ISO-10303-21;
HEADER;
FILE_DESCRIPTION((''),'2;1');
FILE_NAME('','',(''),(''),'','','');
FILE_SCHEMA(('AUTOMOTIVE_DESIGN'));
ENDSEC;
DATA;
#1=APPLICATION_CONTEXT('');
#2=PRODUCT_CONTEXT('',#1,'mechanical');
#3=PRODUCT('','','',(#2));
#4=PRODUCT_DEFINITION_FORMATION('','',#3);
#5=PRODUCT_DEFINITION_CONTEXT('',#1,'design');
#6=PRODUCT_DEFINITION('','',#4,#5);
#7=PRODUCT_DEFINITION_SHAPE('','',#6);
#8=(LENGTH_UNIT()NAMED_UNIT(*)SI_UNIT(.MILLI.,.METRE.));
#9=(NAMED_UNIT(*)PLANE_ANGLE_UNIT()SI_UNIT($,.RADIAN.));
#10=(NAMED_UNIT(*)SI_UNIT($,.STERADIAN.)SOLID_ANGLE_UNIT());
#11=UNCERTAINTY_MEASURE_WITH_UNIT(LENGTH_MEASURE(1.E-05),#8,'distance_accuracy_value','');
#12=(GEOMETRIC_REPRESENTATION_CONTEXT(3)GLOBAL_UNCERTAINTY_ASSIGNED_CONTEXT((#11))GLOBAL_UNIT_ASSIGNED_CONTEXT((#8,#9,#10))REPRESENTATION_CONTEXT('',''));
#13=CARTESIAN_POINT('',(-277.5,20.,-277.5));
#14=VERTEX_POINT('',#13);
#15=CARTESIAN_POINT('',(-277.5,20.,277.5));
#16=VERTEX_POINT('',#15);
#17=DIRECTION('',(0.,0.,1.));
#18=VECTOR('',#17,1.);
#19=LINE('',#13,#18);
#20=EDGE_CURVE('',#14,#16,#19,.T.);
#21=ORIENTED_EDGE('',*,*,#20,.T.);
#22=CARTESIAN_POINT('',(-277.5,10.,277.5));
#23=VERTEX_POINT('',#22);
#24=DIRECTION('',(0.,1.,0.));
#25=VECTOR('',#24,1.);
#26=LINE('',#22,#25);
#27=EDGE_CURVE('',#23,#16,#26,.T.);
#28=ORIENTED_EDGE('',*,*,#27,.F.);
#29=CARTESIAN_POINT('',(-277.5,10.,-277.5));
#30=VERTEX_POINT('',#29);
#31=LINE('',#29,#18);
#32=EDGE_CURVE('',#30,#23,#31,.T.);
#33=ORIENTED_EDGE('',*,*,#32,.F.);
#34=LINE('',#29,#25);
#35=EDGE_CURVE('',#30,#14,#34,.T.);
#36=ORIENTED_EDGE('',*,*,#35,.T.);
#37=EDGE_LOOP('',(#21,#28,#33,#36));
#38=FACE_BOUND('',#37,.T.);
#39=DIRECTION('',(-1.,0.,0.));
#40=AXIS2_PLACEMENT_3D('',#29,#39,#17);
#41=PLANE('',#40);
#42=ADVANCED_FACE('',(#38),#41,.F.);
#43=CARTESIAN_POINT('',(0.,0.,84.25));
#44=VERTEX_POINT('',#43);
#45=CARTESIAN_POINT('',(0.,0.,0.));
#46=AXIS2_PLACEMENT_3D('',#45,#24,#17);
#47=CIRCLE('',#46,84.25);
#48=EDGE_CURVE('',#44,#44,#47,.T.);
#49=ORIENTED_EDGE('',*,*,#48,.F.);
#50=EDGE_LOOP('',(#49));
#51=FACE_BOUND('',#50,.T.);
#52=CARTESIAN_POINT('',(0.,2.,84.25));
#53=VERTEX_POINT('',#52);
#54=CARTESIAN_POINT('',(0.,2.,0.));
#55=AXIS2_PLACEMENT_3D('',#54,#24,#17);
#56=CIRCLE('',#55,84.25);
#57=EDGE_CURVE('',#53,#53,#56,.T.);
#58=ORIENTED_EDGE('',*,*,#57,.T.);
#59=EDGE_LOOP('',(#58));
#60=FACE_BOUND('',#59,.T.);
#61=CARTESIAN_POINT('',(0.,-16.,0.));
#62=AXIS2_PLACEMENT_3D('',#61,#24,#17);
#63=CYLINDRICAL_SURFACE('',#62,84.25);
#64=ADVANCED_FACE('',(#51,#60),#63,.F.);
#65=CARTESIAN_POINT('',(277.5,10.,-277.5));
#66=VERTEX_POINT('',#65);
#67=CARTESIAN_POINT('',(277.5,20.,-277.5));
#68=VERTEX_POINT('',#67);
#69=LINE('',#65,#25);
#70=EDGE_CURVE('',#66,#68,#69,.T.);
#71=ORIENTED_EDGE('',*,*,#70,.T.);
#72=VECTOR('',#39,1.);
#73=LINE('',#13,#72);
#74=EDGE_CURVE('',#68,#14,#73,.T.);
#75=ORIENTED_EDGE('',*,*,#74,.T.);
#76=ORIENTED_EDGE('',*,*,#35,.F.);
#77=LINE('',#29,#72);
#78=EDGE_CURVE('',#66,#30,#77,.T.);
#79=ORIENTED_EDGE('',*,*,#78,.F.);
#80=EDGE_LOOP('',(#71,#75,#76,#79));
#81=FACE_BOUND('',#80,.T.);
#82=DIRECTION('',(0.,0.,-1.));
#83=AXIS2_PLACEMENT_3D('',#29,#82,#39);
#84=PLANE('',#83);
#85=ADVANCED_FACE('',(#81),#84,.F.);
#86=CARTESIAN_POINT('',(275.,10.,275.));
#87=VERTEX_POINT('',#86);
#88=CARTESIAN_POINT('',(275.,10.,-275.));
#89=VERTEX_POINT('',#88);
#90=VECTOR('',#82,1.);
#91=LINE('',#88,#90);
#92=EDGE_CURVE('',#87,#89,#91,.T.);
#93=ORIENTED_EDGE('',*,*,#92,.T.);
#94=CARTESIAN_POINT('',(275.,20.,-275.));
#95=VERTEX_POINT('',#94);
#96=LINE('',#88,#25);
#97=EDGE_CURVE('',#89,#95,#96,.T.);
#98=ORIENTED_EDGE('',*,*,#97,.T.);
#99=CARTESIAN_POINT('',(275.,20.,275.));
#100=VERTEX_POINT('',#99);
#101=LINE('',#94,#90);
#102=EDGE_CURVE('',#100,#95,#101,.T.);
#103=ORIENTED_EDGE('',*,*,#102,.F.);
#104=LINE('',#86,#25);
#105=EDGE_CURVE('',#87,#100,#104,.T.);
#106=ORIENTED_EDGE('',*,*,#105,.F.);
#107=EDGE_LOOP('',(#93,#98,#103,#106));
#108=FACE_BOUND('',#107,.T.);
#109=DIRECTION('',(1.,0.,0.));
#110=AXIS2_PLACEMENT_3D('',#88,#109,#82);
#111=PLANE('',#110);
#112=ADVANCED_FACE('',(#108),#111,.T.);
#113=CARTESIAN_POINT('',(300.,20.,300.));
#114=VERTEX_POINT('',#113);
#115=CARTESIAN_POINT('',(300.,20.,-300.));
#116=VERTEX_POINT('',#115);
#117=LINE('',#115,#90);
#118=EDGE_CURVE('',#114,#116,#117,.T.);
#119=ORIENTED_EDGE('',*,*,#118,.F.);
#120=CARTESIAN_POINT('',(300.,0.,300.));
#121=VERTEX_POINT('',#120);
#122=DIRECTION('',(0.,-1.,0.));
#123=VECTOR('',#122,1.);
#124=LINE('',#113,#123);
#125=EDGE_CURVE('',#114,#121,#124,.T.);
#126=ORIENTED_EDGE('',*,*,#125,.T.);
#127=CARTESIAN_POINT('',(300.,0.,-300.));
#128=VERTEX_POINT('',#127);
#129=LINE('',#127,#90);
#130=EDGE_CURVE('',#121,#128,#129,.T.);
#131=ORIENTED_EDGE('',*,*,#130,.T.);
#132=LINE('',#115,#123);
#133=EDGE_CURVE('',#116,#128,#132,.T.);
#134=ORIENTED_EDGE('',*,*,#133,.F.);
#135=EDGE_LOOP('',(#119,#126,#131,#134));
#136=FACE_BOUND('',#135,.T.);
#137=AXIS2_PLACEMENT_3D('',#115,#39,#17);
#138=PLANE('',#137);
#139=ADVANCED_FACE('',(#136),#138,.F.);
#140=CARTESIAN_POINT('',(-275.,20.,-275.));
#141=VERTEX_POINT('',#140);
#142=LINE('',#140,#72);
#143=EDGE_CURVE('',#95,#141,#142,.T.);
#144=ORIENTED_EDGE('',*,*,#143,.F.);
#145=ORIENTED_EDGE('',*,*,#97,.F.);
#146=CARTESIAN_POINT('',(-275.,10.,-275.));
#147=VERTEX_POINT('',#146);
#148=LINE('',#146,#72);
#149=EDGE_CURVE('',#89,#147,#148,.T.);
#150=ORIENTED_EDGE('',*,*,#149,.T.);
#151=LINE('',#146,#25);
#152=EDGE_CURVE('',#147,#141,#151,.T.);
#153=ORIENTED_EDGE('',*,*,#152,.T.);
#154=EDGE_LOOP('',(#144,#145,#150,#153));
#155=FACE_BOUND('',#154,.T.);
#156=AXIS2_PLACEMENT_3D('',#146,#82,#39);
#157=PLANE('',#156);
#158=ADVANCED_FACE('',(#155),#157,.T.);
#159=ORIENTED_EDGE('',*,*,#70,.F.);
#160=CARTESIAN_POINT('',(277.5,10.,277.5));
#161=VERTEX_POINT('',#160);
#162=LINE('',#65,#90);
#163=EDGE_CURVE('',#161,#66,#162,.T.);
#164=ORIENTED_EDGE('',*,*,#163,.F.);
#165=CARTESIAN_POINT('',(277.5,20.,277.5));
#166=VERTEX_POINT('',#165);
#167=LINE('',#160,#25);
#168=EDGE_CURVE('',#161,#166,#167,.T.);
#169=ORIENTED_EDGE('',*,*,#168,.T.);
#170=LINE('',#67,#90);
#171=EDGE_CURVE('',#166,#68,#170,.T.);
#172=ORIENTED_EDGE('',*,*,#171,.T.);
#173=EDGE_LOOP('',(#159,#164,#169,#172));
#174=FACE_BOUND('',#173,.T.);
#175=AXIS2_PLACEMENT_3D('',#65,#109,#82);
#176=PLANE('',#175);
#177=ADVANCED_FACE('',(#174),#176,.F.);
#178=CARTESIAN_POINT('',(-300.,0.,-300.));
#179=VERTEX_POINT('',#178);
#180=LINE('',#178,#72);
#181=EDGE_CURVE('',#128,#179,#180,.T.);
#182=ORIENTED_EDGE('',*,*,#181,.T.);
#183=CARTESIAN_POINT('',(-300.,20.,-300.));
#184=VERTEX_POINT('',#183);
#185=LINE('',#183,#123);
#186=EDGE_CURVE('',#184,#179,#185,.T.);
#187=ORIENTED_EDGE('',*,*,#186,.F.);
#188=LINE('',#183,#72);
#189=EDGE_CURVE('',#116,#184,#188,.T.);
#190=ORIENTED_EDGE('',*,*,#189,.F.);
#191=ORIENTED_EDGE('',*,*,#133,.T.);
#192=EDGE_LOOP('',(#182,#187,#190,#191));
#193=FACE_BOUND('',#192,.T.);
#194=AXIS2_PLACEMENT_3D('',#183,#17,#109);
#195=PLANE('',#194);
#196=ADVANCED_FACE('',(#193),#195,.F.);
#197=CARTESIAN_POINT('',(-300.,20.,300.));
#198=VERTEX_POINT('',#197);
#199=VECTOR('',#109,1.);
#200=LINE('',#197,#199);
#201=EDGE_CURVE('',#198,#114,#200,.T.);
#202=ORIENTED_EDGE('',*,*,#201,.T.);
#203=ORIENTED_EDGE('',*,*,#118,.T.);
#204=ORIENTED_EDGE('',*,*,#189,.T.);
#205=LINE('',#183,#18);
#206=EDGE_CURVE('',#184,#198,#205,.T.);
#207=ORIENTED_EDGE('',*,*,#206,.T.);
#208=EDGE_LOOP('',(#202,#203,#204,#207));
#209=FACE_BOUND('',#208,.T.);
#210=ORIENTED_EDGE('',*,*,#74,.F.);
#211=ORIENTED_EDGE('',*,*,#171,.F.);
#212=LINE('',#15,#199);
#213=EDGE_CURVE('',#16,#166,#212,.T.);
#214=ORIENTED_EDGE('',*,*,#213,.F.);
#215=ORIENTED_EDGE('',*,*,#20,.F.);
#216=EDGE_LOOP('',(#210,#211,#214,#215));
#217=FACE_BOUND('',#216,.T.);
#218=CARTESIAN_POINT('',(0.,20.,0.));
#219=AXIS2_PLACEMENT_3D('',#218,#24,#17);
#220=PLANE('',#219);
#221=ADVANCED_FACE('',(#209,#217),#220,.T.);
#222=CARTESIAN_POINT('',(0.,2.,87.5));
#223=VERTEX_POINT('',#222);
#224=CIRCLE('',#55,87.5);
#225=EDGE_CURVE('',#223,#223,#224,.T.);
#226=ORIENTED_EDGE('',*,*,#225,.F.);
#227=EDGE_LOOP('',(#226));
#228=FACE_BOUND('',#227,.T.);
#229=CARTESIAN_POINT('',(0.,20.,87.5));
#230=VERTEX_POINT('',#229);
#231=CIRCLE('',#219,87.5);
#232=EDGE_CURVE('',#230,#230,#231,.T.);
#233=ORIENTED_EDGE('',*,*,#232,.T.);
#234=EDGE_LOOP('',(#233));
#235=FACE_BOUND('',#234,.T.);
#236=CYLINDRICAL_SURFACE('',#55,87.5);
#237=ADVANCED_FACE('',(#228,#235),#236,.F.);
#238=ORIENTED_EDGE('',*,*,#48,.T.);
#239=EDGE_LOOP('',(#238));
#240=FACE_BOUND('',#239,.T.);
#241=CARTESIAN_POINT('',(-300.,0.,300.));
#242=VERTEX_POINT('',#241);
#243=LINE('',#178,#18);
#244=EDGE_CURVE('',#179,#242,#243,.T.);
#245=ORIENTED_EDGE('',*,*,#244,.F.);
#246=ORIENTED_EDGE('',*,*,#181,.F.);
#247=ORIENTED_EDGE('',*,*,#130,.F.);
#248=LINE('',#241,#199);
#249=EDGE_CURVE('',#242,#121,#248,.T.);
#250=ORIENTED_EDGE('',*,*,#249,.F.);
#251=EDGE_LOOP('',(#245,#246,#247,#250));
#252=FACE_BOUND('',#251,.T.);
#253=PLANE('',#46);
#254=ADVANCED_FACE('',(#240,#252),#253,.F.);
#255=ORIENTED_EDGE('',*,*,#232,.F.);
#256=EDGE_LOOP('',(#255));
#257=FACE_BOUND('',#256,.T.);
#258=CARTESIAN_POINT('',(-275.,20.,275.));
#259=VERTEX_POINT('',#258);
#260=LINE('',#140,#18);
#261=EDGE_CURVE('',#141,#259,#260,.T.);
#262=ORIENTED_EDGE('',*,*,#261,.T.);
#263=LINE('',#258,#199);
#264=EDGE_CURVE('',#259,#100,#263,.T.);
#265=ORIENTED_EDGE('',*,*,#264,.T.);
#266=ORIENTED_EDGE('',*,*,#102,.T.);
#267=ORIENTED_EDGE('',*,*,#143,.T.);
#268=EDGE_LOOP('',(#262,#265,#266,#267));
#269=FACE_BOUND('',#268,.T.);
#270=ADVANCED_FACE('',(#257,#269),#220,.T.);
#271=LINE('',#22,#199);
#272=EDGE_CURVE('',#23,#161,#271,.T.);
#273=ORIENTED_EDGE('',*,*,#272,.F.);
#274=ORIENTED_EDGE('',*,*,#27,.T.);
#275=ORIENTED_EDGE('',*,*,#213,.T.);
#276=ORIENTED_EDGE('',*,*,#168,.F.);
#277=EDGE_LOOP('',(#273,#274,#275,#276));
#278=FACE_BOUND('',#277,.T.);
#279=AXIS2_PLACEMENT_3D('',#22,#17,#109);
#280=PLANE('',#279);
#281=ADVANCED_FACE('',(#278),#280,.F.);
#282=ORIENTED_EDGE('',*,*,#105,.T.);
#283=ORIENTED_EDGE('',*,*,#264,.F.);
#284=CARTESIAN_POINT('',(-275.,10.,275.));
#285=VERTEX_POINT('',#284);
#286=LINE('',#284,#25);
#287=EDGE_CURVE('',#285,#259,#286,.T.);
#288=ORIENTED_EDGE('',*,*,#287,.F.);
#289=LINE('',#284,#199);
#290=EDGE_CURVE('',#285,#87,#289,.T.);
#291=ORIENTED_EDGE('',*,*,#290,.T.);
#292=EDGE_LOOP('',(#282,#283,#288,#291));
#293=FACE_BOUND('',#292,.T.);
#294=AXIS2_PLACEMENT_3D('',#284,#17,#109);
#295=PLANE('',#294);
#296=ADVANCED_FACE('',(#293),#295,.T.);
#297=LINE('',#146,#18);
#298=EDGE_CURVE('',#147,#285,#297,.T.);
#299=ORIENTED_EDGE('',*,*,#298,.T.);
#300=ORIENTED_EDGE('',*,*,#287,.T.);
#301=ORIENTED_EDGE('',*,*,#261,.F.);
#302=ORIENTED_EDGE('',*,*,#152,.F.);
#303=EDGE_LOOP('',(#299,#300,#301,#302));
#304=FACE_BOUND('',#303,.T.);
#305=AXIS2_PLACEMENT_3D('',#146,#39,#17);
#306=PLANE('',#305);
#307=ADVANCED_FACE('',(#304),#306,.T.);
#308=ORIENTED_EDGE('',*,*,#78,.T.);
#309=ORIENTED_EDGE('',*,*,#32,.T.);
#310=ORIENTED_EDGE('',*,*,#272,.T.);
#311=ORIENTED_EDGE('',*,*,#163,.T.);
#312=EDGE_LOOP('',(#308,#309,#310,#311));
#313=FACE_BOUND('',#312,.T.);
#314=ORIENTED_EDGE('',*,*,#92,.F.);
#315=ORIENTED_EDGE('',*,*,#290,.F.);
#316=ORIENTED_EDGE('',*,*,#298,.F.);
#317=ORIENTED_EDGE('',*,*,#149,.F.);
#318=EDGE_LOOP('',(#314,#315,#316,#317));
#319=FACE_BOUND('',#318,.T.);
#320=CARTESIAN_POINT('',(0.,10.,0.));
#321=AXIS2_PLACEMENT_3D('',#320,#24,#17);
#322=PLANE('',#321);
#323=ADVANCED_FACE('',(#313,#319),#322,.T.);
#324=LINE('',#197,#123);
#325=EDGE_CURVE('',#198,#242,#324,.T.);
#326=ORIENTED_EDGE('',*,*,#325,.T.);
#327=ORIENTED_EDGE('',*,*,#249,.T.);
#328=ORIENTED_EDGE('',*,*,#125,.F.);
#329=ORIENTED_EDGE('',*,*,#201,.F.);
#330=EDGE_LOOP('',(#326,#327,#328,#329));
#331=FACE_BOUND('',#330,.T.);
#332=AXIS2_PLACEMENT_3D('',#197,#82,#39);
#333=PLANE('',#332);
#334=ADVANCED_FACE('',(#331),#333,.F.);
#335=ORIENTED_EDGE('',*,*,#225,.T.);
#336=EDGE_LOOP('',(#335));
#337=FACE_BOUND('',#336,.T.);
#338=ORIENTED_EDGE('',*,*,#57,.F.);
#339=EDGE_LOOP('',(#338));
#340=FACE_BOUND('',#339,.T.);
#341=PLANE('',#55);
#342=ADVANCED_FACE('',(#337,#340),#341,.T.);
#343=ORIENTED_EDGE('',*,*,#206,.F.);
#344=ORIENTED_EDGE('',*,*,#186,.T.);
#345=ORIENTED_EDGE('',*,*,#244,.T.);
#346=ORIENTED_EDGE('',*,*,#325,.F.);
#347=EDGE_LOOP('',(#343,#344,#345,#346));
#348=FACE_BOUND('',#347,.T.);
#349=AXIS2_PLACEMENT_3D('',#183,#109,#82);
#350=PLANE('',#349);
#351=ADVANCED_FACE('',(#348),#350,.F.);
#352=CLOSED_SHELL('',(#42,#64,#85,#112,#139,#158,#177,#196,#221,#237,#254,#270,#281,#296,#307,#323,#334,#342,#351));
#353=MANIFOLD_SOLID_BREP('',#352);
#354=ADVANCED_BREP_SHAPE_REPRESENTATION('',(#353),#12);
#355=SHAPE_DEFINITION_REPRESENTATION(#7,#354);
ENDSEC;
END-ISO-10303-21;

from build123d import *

# Parameters (mm, degrees)
SKETCH1_W          = 600
SKETCH1_H          = 600
PLATE_DEPTH        = 20
SKETCH2_R          = 87.5
BEARING_HOLE_DEPTH = 18
SKETCH3_R          = 84.25
CUT_EXTRUDE2_DEPTH = 18
SKETCH4_W          = 555
SKETCH4_H          = 555
SKETCH4_W_2        = 550
SKETCH4_H_2        = 550
CUT_EXTRUDE3_DEPTH = 10


with BuildPart() as part:
    # Sketch1 → plate (new body)
    with BuildSketch(Plane(origin=(0, 0, 0), x_dir=(1, 0, 0), z_dir=(0, 1, 0))):
        Rectangle(SKETCH1_W, SKETCH1_H)
    extrude(amount=PLATE_DEPTH)

    # Sketch2 → bearing-hole (cut)
    with BuildSketch(Plane(origin=(0, 20, 0), x_dir=(1, 0, 0), z_dir=(0, 1, 0))):
        with Locations(Location((0, 0, 0), (0, 0, 270))):
            Circle(SKETCH2_R)
    extrude(amount=-BEARING_HOLE_DEPTH, mode=Mode.SUBTRACT)

    # Sketch3 → Cut-Extrude2 (cut)
    with BuildSketch(Plane(origin=(0, 2, 0), x_dir=(1, 0, 0), z_dir=(0, 1, 0))):
        with Locations(Location((0, 0, 0), (0, 0, 270))):
            Circle(SKETCH3_R)
    extrude(amount=-CUT_EXTRUDE2_DEPTH, mode=Mode.SUBTRACT)

    # Sketch4 → Cut-Extrude3 (cut)
    with BuildSketch(Plane(origin=(0, 20, 0), x_dir=(1, 0, 0), z_dir=(0, 1, 0))):
        Rectangle(SKETCH4_W, SKETCH4_H)
        Rectangle(SKETCH4_W_2, SKETCH4_H_2, mode=Mode.SUBTRACT)
    extrude(amount=-CUT_EXTRUDE3_DEPTH, mode=Mode.SUBTRACT)


solid = part.part
